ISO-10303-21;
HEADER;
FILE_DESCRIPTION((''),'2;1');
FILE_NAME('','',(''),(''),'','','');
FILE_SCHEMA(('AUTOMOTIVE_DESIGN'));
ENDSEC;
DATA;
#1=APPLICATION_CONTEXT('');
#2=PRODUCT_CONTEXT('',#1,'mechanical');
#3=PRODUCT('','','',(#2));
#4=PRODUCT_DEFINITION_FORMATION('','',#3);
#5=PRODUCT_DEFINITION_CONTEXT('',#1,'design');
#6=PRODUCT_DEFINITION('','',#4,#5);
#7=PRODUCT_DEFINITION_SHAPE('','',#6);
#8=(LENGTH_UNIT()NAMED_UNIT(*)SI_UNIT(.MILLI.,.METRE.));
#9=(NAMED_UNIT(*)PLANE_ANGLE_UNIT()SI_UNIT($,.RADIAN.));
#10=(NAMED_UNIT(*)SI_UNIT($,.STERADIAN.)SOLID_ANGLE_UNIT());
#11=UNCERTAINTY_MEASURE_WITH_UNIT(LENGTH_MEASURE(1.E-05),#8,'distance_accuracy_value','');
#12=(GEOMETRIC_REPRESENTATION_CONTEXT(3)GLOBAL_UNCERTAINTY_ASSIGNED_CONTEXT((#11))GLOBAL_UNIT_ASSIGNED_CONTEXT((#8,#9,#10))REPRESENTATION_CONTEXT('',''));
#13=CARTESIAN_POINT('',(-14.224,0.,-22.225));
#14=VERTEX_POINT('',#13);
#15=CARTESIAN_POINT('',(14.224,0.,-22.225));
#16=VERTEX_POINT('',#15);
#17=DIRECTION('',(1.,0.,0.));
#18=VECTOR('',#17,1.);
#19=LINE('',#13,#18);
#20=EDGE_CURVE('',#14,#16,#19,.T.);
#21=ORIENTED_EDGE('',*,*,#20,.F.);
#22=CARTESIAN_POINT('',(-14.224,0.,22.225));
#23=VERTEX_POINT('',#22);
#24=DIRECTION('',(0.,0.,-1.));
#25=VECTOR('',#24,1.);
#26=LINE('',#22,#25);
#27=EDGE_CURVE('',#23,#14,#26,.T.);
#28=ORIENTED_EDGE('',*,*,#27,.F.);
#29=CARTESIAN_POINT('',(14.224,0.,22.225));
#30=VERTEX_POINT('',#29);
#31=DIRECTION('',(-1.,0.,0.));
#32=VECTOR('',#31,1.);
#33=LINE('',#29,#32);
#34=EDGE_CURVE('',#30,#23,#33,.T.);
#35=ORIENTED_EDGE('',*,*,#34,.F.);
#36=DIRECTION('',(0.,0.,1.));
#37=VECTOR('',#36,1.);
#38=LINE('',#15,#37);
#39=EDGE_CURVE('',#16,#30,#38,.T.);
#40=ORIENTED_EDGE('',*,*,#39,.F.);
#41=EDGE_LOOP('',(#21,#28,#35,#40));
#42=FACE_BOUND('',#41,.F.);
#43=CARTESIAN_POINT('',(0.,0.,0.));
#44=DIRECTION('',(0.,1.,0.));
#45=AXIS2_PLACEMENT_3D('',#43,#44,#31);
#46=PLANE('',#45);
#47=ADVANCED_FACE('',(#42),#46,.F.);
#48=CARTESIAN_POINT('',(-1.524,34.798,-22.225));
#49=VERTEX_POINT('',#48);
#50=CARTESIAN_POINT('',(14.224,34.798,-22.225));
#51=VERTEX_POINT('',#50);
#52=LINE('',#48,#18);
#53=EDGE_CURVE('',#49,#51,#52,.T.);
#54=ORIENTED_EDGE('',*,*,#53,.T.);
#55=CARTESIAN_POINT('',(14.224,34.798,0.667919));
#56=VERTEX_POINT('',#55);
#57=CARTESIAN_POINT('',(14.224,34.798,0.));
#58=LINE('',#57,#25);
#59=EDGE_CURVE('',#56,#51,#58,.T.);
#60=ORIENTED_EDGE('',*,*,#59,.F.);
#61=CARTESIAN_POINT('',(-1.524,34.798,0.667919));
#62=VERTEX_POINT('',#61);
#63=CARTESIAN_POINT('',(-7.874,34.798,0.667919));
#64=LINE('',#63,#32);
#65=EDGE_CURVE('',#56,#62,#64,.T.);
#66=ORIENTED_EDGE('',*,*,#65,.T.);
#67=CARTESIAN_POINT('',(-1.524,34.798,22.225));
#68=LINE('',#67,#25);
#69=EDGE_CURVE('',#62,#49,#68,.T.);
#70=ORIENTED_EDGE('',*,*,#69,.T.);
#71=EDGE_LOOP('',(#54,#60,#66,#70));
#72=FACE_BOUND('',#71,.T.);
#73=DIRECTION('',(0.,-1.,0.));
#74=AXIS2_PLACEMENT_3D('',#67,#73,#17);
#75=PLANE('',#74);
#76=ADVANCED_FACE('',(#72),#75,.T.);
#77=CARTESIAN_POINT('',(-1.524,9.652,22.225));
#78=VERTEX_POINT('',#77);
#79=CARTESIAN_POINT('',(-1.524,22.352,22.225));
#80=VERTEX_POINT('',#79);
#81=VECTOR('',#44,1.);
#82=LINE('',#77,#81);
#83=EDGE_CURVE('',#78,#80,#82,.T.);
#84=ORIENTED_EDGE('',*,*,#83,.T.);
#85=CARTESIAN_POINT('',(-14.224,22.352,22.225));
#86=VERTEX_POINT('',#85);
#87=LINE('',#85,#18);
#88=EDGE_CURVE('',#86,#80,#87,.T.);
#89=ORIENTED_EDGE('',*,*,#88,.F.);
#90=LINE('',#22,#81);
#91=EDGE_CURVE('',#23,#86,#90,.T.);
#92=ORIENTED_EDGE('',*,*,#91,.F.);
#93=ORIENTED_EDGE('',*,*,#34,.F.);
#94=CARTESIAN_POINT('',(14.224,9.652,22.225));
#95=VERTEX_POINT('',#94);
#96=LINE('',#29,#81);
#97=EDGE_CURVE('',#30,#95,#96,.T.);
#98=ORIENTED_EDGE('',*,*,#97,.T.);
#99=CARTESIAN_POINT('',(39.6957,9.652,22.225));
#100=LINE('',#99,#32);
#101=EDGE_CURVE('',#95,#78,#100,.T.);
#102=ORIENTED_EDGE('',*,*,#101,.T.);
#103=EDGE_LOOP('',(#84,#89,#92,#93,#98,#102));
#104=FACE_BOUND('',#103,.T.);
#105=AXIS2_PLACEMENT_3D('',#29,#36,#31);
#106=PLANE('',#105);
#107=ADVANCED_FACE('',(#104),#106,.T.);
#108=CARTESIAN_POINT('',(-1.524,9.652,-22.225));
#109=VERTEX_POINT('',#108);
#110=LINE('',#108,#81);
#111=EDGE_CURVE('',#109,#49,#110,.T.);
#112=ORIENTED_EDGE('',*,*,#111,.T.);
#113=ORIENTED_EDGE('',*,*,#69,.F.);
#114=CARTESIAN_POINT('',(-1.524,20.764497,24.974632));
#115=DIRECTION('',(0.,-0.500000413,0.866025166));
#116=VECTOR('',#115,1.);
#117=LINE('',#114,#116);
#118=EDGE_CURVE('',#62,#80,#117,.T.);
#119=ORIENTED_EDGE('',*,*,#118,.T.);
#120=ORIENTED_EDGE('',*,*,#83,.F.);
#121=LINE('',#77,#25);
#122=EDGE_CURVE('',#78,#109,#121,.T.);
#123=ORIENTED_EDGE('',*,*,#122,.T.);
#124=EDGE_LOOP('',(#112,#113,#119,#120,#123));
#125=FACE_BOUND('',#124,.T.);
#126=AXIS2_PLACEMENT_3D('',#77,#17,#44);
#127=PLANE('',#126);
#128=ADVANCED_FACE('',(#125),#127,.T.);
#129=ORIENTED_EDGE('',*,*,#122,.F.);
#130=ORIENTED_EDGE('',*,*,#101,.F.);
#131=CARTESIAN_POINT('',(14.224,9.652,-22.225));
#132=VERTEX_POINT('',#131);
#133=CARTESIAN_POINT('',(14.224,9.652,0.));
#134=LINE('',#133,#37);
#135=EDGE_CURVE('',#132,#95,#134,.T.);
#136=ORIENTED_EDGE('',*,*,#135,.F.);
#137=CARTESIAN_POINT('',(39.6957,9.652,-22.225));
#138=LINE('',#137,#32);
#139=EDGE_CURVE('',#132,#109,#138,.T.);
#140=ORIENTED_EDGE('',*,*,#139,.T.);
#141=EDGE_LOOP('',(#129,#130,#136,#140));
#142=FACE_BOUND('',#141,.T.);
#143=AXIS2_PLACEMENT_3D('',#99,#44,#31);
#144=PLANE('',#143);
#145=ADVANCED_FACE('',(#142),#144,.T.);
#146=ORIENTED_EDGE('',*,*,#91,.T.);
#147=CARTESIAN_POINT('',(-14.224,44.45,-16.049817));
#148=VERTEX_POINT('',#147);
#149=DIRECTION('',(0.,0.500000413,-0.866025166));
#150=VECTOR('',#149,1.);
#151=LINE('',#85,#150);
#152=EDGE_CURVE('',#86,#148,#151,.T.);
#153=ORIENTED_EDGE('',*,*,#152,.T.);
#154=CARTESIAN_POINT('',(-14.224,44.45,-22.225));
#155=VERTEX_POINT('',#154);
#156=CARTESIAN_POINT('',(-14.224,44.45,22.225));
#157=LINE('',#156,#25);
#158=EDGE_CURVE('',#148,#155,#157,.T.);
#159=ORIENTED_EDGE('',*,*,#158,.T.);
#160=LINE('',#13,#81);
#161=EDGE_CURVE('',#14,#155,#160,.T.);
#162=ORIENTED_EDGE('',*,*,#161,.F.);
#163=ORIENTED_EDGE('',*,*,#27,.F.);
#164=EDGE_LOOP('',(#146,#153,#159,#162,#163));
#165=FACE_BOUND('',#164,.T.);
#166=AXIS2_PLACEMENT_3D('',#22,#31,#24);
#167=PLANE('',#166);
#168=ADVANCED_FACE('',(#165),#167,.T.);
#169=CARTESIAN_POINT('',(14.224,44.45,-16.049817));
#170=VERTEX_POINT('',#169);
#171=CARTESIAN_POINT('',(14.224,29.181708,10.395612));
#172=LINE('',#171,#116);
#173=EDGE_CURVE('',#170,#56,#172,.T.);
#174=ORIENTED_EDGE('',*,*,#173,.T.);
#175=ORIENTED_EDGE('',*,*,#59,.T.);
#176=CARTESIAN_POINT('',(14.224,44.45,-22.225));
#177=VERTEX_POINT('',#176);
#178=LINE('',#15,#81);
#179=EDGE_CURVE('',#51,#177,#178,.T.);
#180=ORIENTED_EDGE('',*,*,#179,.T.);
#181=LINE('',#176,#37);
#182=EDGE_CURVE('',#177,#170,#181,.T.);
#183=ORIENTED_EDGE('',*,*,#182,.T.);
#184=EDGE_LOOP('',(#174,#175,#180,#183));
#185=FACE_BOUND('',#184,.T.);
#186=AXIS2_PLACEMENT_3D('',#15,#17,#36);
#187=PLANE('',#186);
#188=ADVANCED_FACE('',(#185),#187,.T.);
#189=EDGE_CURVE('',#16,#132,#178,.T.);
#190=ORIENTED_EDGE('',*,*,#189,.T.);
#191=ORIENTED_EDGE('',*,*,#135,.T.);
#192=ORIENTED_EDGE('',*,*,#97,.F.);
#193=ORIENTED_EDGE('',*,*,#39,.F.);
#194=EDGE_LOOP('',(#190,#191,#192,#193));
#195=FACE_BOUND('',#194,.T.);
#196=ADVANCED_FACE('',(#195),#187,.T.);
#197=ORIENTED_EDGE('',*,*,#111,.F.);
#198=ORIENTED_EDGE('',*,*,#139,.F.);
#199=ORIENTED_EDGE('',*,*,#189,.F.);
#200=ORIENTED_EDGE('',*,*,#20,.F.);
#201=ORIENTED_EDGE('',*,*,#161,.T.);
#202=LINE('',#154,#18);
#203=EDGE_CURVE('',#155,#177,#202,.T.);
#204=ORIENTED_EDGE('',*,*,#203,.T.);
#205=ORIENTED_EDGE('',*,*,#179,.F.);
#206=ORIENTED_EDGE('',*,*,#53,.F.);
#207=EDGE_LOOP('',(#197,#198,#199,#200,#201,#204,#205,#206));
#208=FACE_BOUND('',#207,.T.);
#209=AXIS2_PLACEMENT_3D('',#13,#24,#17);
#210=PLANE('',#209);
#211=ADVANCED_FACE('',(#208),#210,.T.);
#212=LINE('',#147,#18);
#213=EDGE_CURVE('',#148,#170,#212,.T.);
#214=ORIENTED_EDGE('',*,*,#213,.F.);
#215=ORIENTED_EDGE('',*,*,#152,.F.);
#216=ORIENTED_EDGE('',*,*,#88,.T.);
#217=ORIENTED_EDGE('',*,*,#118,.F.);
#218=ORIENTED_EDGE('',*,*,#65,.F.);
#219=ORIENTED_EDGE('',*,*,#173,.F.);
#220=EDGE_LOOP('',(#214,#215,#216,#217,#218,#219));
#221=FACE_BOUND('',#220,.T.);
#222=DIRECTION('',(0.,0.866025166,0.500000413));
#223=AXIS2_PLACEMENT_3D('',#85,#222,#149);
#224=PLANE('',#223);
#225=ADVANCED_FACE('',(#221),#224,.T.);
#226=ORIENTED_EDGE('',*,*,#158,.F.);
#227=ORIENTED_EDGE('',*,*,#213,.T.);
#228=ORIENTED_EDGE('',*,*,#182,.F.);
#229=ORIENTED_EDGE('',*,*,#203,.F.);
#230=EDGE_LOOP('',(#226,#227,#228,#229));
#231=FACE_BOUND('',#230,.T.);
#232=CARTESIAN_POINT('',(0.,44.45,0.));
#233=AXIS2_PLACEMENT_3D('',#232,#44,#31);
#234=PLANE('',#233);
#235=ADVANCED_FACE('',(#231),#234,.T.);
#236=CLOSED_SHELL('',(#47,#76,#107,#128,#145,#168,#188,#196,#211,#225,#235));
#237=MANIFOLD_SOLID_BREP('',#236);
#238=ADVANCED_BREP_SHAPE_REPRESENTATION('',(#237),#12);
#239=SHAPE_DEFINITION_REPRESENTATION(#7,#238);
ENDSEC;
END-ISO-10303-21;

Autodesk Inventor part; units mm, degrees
ref_plane "YZ Plane" through (0, 0, 0) normal (1, 0, 0) x (0, 1, 0)
ref_plane "XZ Plane" through (0, 0, 0) normal (0, 1, 0) x (-1, 0, 0)
ref_plane "XY Plane" through (0, 0, 0) normal (0, 0, 1) x (1, 0, 0)
sketch "Sketch1" plane through (0, 0, 0) normal (0, 1, 0) x (-1, 0, 0)
  line L0 (-14.224, 22.225) -> (14.224, 22.225)
  line L1 (14.224, 22.225) -> (14.224, -22.225)
  line L2 (14.224, -22.225) -> (-14.224, -22.225)
  line L3 (-14.224, -22.225) -> (-14.224, 22.225)
  line L4 (-14.224, 22.225) -> (14.224, -22.225) construction
  line L5 (14.224, 22.225) -> (-14.224, -22.225) construction
  point P0 (0, 0)
  dimension "d0" = 28.448
  dimension "d1" = 44.45
extrude "Extrusion1" add sketch "Sketch1" along normal blind 44.45
sketch "Sketch2" plane through (-14.224, 0, 22.225) normal (0, 0, 1) x (1, 0, 0)
  line L0 (12.7, 34.798) -> (53.9197, 34.798)
  line L1 (53.9197, 34.798) -> (53.9197, 9.652)
  line L2 (53.9197, 9.652) -> (12.7, 9.652)
  line L3 (12.7, 9.652) -> (12.7, 34.798)
  line L4 (0, 0) -> (0, 44.45) projected
  line L5 (0, 44.45) -> (28.448, 44.45) projected
  line L6 (0, 0) -> (28.448, 0) projected
  point P0 (14.224, 0)
  dimension "d4" = 12.7
  dimension "d5" = 9.652
  dimension "d6" = 9.652
extrude "Extrusion2" cut sketch "Sketch2" against normal blind 44.45
sketch "Sketch3" plane through (-14.224, 0, -22.225) normal (-1, 0, 0) x (0, 0, 1)
  line L0 (44.45, 22.352) -> (1.7207, 47.0218)
  line L1 (1.7207, 47.0218) -> (53.9201, 57.7184)
  line L2 (53.9201, 57.7184) -> (44.45, 22.352)
  line L3 (0, 0) -> (44.45, 0) projected
  line L4 (0, 44.45) -> (44.45, 44.45) projected
  point P0 (22.225, 0)
  dimension "d9" = 22.352
extrude "Extrusion3" cut sketch "Sketch3" against normal through all
properties part number "SLIDE"
